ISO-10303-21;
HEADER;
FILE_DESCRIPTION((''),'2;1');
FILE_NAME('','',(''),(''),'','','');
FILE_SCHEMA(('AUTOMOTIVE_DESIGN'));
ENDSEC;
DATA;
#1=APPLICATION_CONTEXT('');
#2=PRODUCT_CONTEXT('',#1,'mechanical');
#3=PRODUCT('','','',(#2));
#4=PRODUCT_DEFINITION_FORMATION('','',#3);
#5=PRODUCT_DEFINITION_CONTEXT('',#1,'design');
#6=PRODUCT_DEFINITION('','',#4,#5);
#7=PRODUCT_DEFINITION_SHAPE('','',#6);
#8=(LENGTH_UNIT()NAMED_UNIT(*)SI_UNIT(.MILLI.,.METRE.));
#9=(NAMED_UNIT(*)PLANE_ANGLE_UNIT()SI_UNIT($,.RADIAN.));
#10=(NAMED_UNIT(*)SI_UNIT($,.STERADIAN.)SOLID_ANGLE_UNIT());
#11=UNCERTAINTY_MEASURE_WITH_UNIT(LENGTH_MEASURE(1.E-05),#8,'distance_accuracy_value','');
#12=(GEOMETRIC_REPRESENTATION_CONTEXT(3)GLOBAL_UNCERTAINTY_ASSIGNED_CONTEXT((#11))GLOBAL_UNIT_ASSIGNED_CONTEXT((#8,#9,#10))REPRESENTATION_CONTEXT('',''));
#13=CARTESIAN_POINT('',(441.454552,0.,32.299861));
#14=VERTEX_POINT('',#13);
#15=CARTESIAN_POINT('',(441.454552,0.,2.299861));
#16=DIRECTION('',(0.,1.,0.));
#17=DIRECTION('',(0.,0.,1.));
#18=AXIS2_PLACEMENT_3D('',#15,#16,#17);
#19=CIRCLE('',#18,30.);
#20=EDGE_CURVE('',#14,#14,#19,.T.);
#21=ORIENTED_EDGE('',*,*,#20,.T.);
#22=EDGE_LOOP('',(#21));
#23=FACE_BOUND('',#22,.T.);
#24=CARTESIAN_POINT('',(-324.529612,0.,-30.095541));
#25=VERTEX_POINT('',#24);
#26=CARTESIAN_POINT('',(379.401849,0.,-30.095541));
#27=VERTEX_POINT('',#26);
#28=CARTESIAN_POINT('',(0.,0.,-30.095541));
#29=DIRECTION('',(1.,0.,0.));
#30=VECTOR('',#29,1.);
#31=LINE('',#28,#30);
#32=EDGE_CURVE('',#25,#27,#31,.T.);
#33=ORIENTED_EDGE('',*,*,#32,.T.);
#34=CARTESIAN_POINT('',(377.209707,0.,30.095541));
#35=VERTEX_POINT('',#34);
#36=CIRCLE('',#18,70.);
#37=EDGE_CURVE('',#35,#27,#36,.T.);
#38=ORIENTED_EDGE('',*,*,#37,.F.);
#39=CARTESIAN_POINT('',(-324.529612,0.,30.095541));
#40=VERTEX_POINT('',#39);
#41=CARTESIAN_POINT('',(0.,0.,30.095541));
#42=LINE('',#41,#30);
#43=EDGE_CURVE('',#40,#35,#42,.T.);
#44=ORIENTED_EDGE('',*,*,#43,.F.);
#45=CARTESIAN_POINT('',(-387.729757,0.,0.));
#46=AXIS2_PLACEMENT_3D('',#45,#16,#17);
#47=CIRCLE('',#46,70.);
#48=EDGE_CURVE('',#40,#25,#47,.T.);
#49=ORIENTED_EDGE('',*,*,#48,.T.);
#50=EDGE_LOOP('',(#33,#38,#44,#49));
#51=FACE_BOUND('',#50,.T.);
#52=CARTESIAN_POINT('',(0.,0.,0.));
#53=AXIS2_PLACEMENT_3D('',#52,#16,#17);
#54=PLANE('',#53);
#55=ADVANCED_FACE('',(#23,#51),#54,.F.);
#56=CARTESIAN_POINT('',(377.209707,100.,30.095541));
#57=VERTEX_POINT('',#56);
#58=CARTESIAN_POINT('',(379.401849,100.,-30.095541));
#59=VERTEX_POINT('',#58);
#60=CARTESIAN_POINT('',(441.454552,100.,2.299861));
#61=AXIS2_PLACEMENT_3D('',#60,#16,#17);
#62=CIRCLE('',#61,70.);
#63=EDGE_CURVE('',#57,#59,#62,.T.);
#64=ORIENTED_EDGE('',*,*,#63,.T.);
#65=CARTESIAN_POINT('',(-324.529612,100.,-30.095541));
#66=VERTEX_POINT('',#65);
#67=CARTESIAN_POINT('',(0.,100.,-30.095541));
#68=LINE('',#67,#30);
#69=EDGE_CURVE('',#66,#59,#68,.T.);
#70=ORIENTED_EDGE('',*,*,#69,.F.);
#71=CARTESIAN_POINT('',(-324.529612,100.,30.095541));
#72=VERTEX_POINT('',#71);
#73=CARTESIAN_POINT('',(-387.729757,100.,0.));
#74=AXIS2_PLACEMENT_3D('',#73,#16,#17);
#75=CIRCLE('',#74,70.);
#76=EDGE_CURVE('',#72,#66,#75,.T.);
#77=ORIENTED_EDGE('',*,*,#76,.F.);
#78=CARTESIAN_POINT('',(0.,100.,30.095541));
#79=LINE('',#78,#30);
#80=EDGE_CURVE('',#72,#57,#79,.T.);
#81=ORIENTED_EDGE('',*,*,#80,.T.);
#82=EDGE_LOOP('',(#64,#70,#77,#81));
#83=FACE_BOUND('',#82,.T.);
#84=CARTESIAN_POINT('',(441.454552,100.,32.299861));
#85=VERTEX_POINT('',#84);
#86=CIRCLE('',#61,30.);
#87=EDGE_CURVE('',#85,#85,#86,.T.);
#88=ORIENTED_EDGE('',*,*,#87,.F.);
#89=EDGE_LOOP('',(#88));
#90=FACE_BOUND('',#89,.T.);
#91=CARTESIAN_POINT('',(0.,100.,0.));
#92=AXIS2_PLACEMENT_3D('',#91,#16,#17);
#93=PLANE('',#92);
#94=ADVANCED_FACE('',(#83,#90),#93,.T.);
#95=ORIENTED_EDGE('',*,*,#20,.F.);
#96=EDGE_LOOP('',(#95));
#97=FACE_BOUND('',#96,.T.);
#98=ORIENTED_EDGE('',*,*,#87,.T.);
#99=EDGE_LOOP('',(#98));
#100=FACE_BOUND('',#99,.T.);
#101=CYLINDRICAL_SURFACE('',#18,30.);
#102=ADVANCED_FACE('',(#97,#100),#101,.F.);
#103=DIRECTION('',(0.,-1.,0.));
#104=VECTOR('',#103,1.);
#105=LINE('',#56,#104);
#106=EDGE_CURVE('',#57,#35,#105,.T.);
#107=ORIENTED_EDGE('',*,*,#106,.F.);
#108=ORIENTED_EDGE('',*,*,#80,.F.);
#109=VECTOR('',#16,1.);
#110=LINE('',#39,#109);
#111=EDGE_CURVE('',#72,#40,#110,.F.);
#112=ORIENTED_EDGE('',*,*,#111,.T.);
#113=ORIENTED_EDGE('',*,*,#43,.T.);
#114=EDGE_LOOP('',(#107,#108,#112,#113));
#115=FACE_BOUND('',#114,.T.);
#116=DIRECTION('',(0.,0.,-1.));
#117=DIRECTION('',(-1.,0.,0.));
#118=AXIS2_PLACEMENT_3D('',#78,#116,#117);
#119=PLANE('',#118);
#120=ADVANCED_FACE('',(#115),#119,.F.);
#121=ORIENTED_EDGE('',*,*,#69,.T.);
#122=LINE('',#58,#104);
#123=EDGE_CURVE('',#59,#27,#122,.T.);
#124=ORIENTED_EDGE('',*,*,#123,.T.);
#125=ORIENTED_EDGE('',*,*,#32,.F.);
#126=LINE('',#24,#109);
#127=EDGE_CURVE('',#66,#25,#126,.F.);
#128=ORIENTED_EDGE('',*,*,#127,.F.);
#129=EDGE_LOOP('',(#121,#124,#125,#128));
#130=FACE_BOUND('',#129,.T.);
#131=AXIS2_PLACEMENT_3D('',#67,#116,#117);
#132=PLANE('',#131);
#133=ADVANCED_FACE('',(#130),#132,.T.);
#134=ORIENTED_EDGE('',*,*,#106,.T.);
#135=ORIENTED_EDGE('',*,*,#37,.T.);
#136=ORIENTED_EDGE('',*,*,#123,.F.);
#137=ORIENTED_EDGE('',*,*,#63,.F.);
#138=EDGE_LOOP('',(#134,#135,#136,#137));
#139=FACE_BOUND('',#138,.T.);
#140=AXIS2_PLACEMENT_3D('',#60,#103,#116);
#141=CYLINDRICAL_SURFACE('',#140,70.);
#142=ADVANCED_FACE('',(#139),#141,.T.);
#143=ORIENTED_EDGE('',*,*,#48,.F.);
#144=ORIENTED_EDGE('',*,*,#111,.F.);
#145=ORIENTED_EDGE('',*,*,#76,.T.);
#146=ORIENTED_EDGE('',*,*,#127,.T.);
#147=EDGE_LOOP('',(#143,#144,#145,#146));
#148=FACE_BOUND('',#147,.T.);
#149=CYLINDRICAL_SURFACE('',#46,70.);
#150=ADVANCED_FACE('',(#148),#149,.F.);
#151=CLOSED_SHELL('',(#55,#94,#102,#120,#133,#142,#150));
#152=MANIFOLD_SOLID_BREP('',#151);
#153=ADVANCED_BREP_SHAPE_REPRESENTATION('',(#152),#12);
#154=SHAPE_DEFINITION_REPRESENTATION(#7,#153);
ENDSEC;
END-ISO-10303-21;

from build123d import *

# Parameters (mm, degrees)
BOSS_EXTRU_2_DEPTH      = 100
ESQUISSE5_R             = 30
ENL_V_MAT_EXTRU_4_DEPTH = 101
ESQUISSE6_R             = 70
ENL_V_MAT_EXTRU_5_DEPTH = 101


with BuildPart() as part:
    # Esquisse1 → Boss.-Extru.2 (new body)
    with BuildSketch(Plane(origin=(0, 0, 0), x_dir=(1, 0, 0), z_dir=(0, 1, 0))):
        with BuildLine():
            Line((379.401849177, 30.095541494), (-327.704932009, 30.095541494))
            Line((-327.704932009, 30.095541494), (-327.704932009, -30.095541494))
            Line((-327.704932009, -30.095541494), (377.209706533, -30.095541494))
            ThreePointArc((377.209706533, -30.095541494), (511.408174051, -4.847552565), (379.401849177, 30.095541494))
        make_face()
    extrude(amount=BOSS_EXTRU_2_DEPTH)

    # Esquisse5 → Enlèv. mat.-Extru.4 (cut, through all)
    with BuildSketch(Plane(origin=(0, 100, 0), x_dir=(1, 0, 0), z_dir=(0, 1, 0))):
        with Locations((441.45455179, -2.299860933)):
            Circle(ESQUISSE5_R)
    extrude(amount=-ENL_V_MAT_EXTRU_4_DEPTH, mode=Mode.SUBTRACT)

    # Esquisse6 → Enlèv. mat.-Extru.5 (cut, through all)
    with BuildSketch(Plane(origin=(0, 100, 0), x_dir=(1, 0, 0), z_dir=(0, 1, 0))):
        with Locations((-387.729757148, 0)):
            Circle(ESQUISSE6_R)
    extrude(amount=-ENL_V_MAT_EXTRU_5_DEPTH, mode=Mode.SUBTRACT)


solid = part.part
